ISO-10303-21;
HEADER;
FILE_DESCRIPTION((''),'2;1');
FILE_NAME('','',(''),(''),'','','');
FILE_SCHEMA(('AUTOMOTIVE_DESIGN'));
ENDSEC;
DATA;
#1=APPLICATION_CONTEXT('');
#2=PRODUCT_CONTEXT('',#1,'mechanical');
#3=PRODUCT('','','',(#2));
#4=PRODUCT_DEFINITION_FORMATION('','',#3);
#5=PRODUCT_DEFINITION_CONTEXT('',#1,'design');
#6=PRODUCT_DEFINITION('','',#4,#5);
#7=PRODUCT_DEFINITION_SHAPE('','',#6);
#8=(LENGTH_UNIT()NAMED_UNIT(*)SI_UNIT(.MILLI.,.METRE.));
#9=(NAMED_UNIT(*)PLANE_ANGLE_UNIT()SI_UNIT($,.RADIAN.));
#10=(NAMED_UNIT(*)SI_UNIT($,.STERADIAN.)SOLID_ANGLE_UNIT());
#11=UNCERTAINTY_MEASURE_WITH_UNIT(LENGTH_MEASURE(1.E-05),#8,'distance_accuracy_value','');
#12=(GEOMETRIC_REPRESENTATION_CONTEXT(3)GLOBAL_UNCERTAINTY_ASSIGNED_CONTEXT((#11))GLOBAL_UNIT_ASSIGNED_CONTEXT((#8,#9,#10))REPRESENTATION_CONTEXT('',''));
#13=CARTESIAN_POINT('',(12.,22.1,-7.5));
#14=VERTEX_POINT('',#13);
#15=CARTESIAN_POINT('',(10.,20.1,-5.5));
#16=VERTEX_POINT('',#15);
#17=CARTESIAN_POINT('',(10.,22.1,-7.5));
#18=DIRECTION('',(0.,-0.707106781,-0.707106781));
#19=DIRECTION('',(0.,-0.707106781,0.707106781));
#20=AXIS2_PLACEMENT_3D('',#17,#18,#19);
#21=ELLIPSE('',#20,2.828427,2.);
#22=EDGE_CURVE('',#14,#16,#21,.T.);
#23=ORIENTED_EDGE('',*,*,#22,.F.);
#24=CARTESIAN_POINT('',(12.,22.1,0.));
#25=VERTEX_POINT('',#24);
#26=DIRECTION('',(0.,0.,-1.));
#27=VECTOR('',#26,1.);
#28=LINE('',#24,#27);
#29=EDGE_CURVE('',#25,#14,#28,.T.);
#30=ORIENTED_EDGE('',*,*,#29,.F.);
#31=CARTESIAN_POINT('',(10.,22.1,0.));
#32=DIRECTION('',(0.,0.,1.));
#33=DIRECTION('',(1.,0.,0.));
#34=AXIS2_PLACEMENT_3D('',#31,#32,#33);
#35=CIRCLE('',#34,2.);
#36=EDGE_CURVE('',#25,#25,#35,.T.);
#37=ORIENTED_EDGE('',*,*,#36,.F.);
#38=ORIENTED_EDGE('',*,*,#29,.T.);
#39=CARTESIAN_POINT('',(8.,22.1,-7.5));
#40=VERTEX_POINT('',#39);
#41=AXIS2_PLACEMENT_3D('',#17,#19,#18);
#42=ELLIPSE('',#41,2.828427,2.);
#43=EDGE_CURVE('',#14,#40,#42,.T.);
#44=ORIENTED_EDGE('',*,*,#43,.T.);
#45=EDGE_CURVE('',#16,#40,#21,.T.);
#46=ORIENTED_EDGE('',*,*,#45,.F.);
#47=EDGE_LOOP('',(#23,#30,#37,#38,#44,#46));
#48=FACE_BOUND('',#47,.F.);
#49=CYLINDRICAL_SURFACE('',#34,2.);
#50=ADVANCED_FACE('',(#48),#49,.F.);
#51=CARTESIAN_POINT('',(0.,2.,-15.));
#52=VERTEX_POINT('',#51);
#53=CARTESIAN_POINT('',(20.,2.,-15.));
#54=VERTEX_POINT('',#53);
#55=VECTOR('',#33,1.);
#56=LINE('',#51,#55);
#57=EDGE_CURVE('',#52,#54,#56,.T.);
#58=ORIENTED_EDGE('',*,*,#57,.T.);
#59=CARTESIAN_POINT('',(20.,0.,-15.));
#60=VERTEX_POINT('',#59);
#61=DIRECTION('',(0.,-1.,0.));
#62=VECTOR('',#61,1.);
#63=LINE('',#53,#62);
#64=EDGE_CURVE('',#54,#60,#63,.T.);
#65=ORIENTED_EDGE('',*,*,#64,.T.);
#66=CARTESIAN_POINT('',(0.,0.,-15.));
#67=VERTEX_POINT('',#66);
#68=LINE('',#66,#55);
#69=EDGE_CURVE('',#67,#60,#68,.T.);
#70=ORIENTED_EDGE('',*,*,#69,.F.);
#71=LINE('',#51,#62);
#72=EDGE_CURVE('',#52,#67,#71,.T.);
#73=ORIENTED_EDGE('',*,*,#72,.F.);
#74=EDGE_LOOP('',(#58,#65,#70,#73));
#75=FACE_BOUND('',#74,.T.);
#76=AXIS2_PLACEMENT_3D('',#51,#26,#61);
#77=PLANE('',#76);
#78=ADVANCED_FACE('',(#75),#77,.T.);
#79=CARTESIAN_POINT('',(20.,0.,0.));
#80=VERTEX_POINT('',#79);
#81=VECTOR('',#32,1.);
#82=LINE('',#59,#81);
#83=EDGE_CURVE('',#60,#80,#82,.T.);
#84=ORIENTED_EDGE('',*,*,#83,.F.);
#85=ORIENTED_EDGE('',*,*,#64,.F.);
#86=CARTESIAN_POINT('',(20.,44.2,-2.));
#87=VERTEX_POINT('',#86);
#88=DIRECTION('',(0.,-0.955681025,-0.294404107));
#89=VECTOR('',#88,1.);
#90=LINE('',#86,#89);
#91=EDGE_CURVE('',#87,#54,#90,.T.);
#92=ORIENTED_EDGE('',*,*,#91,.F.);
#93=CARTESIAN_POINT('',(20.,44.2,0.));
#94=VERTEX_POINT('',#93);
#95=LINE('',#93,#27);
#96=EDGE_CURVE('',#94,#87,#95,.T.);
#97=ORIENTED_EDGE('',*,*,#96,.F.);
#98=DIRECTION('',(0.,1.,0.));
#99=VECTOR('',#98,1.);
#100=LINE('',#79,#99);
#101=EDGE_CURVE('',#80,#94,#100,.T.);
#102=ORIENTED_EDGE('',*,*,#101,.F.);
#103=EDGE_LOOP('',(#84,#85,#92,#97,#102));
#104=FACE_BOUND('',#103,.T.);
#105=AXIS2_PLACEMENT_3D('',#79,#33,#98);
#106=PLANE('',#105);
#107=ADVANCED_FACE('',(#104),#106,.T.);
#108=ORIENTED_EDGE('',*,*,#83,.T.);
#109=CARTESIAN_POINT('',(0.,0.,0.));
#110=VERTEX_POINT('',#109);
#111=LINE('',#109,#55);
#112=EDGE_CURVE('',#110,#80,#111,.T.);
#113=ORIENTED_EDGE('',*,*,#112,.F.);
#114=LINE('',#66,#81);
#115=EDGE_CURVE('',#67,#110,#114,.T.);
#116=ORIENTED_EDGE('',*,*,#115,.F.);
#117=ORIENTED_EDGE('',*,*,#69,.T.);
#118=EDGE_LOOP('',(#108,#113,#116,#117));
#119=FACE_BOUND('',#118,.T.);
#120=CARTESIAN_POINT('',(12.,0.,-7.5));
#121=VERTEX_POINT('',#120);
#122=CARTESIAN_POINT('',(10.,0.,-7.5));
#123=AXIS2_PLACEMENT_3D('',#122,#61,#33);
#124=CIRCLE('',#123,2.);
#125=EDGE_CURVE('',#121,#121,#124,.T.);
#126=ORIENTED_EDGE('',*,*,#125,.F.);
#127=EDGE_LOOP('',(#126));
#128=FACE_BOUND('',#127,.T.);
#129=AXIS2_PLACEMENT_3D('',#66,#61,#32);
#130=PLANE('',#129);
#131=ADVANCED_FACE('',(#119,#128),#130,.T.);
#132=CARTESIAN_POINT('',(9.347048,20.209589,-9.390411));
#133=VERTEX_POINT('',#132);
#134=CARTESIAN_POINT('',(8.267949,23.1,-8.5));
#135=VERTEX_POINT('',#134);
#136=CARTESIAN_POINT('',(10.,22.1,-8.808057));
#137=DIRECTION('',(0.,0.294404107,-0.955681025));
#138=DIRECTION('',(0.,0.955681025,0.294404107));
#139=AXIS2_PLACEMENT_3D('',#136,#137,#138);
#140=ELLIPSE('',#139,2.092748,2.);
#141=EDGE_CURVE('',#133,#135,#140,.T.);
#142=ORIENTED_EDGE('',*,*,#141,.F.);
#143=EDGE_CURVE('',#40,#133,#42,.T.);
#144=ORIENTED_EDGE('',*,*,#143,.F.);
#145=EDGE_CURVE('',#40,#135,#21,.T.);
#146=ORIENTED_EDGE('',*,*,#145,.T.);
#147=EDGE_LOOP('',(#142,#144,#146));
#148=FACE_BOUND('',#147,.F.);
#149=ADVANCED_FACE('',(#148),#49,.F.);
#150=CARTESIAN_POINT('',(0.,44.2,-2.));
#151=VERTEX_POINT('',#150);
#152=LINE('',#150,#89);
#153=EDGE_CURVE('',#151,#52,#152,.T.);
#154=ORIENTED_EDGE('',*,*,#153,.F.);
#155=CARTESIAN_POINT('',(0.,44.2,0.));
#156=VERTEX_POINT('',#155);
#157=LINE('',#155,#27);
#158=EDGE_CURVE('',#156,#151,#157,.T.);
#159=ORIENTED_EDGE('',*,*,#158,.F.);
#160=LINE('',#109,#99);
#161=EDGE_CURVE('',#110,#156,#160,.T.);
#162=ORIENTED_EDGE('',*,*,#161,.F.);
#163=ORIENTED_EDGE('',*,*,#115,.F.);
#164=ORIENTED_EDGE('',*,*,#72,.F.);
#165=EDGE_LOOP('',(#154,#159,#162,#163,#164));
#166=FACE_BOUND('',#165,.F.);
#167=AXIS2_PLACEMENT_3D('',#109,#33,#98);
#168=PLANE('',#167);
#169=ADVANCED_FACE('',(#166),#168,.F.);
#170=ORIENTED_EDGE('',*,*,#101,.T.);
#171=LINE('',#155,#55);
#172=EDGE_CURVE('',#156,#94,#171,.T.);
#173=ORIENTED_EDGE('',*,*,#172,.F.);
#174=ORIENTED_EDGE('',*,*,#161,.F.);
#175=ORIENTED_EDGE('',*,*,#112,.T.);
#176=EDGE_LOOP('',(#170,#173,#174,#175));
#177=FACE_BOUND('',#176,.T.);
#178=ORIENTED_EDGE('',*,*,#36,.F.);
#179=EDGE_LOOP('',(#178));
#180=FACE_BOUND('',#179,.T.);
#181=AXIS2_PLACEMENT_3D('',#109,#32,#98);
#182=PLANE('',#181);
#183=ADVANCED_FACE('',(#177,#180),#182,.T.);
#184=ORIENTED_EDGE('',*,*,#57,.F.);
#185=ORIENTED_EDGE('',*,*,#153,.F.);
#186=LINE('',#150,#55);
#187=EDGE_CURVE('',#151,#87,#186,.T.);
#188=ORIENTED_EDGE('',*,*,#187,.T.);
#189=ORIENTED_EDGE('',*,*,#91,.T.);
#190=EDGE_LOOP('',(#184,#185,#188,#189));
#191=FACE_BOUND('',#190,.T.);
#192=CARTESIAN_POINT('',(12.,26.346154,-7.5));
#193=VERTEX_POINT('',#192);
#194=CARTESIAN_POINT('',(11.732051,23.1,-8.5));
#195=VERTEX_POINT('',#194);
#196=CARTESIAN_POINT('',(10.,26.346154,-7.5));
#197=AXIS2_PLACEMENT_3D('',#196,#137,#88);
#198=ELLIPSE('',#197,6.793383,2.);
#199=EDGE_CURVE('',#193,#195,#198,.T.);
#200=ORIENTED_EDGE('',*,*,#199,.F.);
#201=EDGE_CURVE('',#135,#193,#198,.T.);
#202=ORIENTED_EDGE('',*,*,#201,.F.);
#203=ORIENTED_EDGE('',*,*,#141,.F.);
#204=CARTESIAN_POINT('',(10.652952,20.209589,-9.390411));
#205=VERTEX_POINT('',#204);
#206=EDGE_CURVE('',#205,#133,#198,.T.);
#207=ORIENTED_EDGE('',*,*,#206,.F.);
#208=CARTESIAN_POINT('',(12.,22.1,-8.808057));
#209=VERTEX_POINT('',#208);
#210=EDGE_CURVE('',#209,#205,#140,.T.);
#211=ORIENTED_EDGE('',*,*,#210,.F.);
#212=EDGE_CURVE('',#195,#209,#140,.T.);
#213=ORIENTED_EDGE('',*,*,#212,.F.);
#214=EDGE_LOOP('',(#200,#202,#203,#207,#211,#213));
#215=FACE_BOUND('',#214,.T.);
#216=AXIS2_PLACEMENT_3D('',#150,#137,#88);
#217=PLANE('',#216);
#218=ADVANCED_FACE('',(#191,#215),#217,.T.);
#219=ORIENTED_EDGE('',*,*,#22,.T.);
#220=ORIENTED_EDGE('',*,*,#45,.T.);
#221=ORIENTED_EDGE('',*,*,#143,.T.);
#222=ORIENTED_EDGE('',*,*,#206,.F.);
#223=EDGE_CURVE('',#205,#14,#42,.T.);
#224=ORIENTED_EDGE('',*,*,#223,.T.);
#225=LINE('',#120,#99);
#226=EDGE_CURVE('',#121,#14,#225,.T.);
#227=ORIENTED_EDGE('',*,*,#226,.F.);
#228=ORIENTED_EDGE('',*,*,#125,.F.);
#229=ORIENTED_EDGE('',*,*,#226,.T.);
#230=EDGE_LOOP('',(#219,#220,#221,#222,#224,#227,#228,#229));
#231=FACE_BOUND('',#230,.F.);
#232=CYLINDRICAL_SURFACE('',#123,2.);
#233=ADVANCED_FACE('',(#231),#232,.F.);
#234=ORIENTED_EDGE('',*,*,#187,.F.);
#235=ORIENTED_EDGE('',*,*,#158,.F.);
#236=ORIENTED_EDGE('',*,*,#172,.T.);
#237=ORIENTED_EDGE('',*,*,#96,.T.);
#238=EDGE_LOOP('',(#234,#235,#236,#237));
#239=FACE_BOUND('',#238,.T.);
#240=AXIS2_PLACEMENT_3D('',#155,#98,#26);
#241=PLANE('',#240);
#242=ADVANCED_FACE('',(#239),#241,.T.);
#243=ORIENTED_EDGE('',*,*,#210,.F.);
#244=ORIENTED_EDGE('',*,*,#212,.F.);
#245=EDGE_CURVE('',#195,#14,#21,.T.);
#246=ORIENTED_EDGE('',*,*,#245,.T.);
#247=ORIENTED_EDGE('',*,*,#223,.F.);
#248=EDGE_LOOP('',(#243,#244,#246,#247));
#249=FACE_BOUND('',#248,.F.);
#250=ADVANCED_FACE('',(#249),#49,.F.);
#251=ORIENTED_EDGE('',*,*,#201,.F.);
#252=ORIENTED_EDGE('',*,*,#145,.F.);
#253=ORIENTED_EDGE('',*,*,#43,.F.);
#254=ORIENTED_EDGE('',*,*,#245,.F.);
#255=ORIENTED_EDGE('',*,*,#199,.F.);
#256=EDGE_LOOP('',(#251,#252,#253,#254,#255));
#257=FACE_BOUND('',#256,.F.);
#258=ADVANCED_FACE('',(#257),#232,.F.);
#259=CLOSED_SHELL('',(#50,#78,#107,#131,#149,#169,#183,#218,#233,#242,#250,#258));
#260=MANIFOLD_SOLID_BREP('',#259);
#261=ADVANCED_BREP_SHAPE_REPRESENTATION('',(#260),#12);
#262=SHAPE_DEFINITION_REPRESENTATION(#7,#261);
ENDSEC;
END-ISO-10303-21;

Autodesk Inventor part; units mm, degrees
ref_plane "YZ Plane" through (0, 0, 0) normal (1, 0, 0) x (0, 1, 0)
ref_plane "XZ Plane" through (0, 0, 0) normal (0, 1, 0) x (-1, 0, 0)
ref_plane "XY Plane" through (0, 0, 0) normal (0, 0, 1) x (1, 0, 0)
sketch "Sketch2" plane through (0, 0, 0) normal (1, 0, 0) x (0, 1, 0)
  line L0 (0, 0) -> (44.2, 0)
  line L1 (44.2, 0) -> (44.2, -2)
  line L2 (44.2, -2) -> (2, -15)
  line L3 (2, -15) -> (0, -15)
  line L4 (0, -15) -> (0, 0)
  dimension "d0" = 44.2
  dimension "d1" = 2
  dimension "d2" = 2
  dimension "d3" = 15
extrude "Extrusion1" add sketch "Sketch2" along normal blind 20
sketch "Sketch3" plane through (0, 0, -15) normal (0, -1, 0) x (1, 0, 0)
  line L0 (0, 15) -> (20, 15) projected
  line L1 (0, 15) -> (20, 0) construction
  line L2 (0, 0) -> (0, 13) projected
  line L3 (20, 15) -> (0, 0) construction
  circle A0 centre (10, 7.5) radius 2
  dimension "d6" = 4
extrude "Extrusion2" cut sketch "Sketch3" against normal through all
sketch "Sketch4" plane through (0, 0, 0) normal (0, 0, 1) x (1, 0, 0)
  line L0 (20, 2) -> (20, 44.2) projected
  line L1 (20, 44.2) -> (0, 0) construction
  line L2 (20, 0) -> (20, 2) projected
  line L3 (0, 2) -> (0, 44.2) projected
  line L4 (20, 0) -> (0, 44.2) construction
  circle A0 centre (10, 22.1) radius 2
  dimension "d9" = 4
extrude "Extrusion3" cut sketch "Sketch4" against normal through all
properties part number "MM3_vertical"
